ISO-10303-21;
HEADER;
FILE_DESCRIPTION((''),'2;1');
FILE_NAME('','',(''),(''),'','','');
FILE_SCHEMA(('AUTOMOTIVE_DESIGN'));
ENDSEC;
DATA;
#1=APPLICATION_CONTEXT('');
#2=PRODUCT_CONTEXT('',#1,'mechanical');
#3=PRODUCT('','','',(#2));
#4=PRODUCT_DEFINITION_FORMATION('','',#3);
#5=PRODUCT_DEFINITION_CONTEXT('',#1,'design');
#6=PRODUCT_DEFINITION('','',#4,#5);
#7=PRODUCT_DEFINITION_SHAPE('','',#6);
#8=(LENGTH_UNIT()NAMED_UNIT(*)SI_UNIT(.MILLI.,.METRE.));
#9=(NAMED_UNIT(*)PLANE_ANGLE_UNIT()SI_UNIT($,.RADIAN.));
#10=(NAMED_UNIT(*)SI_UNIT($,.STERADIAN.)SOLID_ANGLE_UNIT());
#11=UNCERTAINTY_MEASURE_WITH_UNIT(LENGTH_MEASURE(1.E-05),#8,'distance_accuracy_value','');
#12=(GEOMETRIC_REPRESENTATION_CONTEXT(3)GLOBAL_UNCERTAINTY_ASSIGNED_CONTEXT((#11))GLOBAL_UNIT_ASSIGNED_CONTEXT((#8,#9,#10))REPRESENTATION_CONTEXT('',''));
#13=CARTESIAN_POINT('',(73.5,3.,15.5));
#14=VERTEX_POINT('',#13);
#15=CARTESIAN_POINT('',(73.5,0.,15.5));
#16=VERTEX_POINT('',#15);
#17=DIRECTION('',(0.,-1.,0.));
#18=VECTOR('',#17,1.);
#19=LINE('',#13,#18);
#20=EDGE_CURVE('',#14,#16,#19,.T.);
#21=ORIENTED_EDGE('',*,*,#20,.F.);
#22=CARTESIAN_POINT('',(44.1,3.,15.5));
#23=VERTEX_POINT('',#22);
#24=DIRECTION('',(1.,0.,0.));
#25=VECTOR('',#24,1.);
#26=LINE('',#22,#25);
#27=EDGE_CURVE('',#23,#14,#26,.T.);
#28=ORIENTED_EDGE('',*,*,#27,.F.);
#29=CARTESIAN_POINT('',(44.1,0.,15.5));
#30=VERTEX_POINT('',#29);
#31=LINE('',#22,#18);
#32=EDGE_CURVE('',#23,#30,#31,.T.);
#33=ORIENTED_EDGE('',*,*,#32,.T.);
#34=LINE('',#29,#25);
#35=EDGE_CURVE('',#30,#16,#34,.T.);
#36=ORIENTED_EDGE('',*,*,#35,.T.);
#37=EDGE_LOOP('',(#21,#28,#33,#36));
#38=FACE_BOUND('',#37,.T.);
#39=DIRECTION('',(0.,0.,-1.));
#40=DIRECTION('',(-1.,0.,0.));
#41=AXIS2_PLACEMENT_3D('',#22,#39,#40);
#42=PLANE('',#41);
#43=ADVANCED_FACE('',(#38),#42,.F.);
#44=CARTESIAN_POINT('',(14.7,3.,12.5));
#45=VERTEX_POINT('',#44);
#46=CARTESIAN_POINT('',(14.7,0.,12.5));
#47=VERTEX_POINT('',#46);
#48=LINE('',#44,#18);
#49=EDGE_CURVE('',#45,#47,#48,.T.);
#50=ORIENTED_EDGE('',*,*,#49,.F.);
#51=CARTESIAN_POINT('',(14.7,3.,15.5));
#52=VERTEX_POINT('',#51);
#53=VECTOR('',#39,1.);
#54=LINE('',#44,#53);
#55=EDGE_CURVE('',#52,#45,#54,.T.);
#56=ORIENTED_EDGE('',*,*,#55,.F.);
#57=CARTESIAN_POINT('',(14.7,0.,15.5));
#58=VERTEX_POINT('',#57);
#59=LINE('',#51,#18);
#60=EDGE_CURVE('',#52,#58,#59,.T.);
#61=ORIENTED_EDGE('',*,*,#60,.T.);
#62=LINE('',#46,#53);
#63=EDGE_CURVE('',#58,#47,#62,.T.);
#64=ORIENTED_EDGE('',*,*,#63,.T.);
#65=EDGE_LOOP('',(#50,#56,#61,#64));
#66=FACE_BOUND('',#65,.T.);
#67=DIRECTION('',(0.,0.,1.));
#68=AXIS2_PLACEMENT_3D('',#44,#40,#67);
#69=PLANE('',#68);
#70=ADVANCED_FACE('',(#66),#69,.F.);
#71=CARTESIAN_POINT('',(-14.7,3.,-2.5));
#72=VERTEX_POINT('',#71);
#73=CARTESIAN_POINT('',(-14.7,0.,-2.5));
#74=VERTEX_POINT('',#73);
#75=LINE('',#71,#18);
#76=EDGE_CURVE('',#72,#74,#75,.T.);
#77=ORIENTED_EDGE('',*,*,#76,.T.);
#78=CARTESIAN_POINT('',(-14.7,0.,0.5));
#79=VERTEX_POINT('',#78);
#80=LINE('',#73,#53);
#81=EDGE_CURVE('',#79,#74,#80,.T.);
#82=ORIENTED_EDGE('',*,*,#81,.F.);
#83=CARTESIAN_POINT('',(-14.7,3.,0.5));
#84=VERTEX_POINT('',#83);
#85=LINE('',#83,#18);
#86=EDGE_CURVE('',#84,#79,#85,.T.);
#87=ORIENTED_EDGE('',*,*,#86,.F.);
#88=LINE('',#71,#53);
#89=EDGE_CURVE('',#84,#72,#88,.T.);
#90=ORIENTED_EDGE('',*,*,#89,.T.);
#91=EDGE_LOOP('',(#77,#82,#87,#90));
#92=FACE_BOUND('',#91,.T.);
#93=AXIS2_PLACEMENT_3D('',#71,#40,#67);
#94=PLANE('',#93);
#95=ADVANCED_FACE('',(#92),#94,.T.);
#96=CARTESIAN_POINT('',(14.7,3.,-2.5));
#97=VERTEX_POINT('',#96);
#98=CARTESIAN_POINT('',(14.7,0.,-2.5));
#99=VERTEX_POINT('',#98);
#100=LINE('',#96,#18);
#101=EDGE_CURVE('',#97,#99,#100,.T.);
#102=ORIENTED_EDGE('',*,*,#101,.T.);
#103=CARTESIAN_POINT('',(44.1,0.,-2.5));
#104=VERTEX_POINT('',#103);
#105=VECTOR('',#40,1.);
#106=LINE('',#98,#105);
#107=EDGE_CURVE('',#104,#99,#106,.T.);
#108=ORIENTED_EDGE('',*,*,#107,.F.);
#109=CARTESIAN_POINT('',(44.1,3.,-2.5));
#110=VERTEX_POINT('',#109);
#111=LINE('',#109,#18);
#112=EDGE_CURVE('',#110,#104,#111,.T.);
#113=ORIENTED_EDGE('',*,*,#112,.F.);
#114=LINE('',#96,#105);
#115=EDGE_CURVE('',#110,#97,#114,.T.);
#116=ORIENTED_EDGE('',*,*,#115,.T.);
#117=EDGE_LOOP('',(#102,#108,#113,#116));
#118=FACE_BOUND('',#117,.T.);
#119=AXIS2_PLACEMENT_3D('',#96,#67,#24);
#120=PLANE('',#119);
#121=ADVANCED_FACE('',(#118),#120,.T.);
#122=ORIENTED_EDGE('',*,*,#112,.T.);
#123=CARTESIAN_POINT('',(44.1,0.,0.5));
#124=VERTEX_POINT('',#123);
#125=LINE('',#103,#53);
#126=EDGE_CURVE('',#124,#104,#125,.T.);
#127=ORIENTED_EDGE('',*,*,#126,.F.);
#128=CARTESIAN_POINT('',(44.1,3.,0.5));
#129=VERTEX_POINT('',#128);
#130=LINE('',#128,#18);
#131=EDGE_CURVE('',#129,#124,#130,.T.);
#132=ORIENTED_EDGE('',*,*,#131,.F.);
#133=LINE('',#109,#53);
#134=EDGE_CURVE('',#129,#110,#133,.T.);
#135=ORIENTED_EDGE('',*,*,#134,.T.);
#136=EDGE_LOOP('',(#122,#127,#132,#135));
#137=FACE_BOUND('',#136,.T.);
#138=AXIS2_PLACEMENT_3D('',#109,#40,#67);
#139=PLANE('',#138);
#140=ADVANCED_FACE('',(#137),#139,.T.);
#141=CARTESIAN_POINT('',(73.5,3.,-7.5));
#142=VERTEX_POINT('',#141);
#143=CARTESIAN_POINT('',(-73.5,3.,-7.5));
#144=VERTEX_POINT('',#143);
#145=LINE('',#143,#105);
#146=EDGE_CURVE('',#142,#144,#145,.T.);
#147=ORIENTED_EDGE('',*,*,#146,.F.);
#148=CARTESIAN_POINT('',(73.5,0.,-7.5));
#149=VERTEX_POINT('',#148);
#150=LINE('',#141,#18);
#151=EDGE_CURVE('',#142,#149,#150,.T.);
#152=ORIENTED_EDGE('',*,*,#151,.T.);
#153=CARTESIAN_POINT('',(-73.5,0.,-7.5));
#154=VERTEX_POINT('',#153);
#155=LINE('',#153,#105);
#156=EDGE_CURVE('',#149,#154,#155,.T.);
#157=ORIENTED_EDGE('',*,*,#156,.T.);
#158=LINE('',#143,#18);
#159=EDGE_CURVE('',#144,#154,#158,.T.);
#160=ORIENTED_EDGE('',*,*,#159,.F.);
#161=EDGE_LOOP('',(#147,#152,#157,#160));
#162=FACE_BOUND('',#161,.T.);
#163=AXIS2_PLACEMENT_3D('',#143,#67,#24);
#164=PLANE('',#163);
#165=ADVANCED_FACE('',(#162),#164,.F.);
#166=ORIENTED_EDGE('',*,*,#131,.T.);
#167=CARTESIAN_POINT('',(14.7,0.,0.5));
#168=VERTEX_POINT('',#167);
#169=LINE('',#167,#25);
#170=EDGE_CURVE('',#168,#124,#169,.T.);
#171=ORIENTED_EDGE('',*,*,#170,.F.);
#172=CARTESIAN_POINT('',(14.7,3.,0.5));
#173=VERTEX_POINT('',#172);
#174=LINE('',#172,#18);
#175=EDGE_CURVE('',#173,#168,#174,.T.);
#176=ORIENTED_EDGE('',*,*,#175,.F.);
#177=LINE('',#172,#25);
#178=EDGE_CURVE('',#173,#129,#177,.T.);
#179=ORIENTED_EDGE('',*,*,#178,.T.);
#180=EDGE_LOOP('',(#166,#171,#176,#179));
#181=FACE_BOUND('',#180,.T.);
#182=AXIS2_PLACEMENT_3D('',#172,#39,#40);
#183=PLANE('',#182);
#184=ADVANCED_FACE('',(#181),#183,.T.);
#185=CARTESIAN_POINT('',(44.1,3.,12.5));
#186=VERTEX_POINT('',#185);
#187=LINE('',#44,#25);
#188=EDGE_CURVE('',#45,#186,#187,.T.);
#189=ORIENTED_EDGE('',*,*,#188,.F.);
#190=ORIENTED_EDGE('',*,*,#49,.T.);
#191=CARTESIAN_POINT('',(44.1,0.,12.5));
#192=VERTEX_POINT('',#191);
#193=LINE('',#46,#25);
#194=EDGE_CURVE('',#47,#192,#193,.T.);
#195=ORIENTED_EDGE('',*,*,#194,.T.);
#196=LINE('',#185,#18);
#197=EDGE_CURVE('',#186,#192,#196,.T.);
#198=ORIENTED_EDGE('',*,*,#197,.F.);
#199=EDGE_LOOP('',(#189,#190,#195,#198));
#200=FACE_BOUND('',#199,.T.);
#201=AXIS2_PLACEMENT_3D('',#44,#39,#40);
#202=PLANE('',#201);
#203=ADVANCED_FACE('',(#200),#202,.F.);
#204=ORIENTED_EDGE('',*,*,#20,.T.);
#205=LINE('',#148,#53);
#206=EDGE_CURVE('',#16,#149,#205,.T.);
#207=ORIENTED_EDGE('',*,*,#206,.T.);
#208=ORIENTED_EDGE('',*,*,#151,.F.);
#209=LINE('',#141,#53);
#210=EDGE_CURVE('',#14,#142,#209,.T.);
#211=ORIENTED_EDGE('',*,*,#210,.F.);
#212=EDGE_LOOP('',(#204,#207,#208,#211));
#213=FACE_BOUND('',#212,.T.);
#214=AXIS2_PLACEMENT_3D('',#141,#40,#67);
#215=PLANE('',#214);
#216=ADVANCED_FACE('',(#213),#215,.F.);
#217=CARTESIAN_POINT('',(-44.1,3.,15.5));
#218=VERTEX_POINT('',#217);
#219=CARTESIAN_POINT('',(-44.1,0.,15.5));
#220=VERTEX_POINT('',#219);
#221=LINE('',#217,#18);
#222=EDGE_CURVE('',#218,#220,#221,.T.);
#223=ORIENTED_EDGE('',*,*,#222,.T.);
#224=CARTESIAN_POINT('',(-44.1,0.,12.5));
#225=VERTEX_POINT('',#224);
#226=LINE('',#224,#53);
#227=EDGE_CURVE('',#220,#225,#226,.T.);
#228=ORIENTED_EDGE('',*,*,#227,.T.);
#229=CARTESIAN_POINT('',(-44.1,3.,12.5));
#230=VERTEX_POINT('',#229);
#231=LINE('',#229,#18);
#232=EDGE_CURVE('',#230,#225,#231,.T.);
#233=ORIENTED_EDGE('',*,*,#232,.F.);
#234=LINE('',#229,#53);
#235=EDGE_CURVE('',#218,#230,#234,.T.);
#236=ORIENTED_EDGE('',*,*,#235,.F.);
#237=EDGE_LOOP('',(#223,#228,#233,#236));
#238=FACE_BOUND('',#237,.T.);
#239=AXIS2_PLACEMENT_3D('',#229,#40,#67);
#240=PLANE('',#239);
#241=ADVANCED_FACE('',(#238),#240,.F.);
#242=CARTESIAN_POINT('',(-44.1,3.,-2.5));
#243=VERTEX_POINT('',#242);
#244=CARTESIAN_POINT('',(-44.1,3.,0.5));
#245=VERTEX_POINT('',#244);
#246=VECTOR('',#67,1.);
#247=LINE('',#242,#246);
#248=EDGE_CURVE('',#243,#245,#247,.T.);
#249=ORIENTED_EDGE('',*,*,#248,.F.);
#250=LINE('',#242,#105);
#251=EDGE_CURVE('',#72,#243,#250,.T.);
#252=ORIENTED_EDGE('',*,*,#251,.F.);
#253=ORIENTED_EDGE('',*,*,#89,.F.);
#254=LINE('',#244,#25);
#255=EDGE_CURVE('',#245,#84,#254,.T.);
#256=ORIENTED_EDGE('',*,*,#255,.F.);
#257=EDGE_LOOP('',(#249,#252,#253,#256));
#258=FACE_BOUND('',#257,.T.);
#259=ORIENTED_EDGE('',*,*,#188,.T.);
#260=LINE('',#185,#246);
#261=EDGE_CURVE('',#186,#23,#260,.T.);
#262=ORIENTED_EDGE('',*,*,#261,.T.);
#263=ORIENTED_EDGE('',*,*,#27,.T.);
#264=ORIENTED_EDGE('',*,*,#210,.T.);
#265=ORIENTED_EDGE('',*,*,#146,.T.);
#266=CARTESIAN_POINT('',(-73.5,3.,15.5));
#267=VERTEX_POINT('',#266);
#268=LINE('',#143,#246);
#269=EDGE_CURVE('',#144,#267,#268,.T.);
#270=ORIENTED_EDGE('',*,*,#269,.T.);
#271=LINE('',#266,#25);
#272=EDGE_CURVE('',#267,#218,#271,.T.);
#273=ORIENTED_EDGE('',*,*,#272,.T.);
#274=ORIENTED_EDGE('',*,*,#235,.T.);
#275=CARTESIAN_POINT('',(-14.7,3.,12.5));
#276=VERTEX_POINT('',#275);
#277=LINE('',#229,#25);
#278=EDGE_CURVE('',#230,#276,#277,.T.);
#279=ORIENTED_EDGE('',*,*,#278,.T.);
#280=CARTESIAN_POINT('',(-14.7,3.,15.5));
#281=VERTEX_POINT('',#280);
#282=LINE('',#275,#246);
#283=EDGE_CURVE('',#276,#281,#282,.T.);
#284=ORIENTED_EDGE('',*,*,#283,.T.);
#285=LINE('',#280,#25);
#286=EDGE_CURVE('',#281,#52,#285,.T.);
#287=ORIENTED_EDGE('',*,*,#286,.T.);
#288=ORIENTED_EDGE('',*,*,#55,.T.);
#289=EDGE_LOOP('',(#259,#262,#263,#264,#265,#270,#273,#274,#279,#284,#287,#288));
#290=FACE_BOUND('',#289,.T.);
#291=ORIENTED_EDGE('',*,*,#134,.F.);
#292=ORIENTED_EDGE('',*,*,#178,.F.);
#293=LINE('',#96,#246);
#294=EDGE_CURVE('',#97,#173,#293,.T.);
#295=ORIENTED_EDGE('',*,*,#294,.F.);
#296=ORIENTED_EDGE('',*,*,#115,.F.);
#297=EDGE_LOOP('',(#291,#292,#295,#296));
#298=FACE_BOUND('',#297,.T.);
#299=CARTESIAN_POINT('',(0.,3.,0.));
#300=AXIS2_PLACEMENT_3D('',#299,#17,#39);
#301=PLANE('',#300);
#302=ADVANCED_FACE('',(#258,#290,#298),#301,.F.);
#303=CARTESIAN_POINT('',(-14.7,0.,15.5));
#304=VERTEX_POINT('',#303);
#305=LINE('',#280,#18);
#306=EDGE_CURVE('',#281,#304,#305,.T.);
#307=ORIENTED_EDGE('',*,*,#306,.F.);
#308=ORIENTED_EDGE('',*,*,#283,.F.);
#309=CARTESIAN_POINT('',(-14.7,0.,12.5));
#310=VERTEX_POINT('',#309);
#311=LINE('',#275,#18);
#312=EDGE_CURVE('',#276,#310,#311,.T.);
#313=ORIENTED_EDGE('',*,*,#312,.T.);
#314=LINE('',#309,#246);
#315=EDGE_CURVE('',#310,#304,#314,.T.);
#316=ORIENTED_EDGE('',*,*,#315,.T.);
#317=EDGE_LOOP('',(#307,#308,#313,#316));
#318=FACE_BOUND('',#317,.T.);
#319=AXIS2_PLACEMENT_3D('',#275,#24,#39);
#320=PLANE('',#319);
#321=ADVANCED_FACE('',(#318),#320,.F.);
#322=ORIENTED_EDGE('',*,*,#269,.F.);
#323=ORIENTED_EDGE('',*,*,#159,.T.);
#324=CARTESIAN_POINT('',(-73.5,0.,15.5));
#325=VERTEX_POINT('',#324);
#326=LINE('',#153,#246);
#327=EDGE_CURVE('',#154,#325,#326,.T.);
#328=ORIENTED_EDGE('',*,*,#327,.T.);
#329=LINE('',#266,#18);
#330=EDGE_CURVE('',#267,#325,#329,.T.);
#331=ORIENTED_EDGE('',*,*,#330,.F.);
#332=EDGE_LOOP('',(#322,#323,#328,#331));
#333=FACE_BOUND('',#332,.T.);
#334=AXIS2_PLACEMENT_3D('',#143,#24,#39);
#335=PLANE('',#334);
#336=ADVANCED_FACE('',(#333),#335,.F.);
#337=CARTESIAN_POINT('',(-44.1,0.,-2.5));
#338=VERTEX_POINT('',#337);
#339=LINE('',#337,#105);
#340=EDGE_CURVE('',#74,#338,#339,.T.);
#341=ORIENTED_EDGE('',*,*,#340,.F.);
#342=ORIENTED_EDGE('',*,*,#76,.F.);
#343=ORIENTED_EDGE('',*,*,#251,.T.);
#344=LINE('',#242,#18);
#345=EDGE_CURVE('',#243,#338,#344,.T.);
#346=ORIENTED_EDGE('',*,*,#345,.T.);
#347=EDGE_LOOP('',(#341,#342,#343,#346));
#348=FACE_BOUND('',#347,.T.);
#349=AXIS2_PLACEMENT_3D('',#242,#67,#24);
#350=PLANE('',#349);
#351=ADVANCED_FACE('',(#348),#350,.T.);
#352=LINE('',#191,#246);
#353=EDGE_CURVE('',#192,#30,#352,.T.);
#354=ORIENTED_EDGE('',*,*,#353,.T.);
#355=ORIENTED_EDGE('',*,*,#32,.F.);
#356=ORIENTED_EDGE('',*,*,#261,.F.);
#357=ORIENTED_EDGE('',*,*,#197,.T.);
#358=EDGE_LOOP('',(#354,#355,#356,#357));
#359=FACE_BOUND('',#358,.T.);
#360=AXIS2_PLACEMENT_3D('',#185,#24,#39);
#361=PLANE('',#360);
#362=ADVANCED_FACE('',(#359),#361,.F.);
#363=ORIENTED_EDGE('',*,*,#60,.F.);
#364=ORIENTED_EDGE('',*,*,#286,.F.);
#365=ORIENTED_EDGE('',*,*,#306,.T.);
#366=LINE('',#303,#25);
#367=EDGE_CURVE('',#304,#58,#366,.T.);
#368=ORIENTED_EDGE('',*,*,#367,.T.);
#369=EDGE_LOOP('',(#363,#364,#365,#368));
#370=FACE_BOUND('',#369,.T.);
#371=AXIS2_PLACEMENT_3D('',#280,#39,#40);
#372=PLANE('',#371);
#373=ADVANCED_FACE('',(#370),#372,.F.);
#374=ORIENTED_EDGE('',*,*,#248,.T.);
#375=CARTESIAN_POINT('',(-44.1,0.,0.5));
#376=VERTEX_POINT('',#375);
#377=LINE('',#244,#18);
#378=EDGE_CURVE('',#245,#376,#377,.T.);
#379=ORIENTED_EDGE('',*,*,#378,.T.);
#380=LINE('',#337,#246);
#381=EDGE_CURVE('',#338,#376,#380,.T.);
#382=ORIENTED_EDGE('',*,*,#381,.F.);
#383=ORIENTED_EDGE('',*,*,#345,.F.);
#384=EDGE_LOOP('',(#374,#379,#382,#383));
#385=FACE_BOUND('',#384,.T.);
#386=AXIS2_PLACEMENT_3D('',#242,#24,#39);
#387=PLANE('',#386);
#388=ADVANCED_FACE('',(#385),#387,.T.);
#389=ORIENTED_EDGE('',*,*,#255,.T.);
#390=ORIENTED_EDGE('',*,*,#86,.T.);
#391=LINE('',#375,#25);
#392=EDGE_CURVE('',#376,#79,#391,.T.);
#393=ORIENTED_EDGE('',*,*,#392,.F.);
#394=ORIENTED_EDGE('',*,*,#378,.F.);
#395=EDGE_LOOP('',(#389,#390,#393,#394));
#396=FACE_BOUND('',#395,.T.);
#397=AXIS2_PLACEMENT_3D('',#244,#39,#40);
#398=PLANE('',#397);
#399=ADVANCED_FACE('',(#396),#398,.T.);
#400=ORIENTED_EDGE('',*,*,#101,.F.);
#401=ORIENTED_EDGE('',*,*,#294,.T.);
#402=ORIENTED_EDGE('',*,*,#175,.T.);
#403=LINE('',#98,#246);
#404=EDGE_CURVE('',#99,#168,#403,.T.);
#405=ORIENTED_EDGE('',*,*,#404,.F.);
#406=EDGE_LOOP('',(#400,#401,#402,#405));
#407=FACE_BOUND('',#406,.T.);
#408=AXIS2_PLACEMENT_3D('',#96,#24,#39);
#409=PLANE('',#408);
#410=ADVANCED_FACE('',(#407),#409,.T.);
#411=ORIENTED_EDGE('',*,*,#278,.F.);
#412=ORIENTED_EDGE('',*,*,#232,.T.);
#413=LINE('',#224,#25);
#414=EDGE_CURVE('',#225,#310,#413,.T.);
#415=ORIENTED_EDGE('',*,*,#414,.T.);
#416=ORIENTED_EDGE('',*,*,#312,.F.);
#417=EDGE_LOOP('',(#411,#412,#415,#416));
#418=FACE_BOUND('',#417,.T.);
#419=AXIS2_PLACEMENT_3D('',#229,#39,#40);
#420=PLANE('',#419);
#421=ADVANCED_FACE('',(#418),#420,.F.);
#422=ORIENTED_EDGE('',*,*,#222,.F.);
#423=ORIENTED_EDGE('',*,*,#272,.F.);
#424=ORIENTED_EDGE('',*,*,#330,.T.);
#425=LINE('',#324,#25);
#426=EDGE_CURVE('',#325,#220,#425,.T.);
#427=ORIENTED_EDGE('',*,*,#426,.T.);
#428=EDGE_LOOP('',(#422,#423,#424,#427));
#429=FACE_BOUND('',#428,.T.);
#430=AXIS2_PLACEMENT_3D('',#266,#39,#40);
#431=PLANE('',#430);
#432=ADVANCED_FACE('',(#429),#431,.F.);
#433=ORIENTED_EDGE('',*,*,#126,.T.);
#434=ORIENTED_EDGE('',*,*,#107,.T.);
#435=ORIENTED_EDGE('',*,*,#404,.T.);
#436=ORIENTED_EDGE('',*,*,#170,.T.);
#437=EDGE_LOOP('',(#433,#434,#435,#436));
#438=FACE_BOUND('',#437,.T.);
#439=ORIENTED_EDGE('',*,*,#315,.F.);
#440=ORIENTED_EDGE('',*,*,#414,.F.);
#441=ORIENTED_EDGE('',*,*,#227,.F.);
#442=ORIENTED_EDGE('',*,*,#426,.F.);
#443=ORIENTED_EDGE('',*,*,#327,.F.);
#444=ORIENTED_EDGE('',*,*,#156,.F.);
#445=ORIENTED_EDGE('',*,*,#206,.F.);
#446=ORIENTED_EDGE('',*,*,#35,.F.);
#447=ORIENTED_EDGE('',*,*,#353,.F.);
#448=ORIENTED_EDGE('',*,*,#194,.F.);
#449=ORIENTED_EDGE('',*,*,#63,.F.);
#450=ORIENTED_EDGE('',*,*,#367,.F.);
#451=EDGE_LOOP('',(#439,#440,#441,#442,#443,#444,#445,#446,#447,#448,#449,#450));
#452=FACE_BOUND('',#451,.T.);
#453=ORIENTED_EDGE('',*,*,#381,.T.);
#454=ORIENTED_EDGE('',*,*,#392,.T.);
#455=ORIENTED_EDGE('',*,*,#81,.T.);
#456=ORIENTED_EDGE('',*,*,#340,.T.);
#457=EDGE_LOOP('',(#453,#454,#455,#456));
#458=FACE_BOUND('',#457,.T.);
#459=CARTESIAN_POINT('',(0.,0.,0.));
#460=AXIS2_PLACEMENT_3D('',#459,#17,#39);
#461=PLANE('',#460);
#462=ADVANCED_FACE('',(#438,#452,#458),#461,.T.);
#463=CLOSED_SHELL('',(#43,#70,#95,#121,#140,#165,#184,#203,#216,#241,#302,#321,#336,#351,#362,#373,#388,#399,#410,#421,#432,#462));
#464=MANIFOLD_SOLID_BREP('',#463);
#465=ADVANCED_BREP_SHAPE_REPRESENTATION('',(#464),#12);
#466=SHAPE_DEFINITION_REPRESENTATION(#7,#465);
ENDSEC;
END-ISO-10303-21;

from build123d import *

# Parameters (mm, degrees)
SKETCH1_W           = 29.4
SKETCH1_H           = 3
BOSS_EXTRUDE1_DEPTH = 3


with BuildPart() as part:
    # Sketch1 → Boss-Extrude1 (new body)
    with BuildSketch(Plane(origin=(0, 0, 0), x_dir=(1, 0, 0), z_dir=(0, 1, 0))):
        Polygon((-73.5, 7.5), (73.5, 7.5), (73.5, -15.5), (44.1, -15.5), (44.1, -12.5), (14.7, -12.5), (14.7, -15.5), (-14.7, -15.5), (-14.7, -12.5), (-44.1, -12.5), (-44.1, -15.5), (-73.5, -15.5), align=None)
        with Locations((29.4, 1)):
            Rectangle(SKETCH1_W, SKETCH1_H, mode=Mode.SUBTRACT)
        with Locations((-29.4, 1)):
            Rectangle(SKETCH1_W, SKETCH1_H, mode=Mode.SUBTRACT)
    extrude(amount=BOSS_EXTRUDE1_DEPTH)


solid = part.part
